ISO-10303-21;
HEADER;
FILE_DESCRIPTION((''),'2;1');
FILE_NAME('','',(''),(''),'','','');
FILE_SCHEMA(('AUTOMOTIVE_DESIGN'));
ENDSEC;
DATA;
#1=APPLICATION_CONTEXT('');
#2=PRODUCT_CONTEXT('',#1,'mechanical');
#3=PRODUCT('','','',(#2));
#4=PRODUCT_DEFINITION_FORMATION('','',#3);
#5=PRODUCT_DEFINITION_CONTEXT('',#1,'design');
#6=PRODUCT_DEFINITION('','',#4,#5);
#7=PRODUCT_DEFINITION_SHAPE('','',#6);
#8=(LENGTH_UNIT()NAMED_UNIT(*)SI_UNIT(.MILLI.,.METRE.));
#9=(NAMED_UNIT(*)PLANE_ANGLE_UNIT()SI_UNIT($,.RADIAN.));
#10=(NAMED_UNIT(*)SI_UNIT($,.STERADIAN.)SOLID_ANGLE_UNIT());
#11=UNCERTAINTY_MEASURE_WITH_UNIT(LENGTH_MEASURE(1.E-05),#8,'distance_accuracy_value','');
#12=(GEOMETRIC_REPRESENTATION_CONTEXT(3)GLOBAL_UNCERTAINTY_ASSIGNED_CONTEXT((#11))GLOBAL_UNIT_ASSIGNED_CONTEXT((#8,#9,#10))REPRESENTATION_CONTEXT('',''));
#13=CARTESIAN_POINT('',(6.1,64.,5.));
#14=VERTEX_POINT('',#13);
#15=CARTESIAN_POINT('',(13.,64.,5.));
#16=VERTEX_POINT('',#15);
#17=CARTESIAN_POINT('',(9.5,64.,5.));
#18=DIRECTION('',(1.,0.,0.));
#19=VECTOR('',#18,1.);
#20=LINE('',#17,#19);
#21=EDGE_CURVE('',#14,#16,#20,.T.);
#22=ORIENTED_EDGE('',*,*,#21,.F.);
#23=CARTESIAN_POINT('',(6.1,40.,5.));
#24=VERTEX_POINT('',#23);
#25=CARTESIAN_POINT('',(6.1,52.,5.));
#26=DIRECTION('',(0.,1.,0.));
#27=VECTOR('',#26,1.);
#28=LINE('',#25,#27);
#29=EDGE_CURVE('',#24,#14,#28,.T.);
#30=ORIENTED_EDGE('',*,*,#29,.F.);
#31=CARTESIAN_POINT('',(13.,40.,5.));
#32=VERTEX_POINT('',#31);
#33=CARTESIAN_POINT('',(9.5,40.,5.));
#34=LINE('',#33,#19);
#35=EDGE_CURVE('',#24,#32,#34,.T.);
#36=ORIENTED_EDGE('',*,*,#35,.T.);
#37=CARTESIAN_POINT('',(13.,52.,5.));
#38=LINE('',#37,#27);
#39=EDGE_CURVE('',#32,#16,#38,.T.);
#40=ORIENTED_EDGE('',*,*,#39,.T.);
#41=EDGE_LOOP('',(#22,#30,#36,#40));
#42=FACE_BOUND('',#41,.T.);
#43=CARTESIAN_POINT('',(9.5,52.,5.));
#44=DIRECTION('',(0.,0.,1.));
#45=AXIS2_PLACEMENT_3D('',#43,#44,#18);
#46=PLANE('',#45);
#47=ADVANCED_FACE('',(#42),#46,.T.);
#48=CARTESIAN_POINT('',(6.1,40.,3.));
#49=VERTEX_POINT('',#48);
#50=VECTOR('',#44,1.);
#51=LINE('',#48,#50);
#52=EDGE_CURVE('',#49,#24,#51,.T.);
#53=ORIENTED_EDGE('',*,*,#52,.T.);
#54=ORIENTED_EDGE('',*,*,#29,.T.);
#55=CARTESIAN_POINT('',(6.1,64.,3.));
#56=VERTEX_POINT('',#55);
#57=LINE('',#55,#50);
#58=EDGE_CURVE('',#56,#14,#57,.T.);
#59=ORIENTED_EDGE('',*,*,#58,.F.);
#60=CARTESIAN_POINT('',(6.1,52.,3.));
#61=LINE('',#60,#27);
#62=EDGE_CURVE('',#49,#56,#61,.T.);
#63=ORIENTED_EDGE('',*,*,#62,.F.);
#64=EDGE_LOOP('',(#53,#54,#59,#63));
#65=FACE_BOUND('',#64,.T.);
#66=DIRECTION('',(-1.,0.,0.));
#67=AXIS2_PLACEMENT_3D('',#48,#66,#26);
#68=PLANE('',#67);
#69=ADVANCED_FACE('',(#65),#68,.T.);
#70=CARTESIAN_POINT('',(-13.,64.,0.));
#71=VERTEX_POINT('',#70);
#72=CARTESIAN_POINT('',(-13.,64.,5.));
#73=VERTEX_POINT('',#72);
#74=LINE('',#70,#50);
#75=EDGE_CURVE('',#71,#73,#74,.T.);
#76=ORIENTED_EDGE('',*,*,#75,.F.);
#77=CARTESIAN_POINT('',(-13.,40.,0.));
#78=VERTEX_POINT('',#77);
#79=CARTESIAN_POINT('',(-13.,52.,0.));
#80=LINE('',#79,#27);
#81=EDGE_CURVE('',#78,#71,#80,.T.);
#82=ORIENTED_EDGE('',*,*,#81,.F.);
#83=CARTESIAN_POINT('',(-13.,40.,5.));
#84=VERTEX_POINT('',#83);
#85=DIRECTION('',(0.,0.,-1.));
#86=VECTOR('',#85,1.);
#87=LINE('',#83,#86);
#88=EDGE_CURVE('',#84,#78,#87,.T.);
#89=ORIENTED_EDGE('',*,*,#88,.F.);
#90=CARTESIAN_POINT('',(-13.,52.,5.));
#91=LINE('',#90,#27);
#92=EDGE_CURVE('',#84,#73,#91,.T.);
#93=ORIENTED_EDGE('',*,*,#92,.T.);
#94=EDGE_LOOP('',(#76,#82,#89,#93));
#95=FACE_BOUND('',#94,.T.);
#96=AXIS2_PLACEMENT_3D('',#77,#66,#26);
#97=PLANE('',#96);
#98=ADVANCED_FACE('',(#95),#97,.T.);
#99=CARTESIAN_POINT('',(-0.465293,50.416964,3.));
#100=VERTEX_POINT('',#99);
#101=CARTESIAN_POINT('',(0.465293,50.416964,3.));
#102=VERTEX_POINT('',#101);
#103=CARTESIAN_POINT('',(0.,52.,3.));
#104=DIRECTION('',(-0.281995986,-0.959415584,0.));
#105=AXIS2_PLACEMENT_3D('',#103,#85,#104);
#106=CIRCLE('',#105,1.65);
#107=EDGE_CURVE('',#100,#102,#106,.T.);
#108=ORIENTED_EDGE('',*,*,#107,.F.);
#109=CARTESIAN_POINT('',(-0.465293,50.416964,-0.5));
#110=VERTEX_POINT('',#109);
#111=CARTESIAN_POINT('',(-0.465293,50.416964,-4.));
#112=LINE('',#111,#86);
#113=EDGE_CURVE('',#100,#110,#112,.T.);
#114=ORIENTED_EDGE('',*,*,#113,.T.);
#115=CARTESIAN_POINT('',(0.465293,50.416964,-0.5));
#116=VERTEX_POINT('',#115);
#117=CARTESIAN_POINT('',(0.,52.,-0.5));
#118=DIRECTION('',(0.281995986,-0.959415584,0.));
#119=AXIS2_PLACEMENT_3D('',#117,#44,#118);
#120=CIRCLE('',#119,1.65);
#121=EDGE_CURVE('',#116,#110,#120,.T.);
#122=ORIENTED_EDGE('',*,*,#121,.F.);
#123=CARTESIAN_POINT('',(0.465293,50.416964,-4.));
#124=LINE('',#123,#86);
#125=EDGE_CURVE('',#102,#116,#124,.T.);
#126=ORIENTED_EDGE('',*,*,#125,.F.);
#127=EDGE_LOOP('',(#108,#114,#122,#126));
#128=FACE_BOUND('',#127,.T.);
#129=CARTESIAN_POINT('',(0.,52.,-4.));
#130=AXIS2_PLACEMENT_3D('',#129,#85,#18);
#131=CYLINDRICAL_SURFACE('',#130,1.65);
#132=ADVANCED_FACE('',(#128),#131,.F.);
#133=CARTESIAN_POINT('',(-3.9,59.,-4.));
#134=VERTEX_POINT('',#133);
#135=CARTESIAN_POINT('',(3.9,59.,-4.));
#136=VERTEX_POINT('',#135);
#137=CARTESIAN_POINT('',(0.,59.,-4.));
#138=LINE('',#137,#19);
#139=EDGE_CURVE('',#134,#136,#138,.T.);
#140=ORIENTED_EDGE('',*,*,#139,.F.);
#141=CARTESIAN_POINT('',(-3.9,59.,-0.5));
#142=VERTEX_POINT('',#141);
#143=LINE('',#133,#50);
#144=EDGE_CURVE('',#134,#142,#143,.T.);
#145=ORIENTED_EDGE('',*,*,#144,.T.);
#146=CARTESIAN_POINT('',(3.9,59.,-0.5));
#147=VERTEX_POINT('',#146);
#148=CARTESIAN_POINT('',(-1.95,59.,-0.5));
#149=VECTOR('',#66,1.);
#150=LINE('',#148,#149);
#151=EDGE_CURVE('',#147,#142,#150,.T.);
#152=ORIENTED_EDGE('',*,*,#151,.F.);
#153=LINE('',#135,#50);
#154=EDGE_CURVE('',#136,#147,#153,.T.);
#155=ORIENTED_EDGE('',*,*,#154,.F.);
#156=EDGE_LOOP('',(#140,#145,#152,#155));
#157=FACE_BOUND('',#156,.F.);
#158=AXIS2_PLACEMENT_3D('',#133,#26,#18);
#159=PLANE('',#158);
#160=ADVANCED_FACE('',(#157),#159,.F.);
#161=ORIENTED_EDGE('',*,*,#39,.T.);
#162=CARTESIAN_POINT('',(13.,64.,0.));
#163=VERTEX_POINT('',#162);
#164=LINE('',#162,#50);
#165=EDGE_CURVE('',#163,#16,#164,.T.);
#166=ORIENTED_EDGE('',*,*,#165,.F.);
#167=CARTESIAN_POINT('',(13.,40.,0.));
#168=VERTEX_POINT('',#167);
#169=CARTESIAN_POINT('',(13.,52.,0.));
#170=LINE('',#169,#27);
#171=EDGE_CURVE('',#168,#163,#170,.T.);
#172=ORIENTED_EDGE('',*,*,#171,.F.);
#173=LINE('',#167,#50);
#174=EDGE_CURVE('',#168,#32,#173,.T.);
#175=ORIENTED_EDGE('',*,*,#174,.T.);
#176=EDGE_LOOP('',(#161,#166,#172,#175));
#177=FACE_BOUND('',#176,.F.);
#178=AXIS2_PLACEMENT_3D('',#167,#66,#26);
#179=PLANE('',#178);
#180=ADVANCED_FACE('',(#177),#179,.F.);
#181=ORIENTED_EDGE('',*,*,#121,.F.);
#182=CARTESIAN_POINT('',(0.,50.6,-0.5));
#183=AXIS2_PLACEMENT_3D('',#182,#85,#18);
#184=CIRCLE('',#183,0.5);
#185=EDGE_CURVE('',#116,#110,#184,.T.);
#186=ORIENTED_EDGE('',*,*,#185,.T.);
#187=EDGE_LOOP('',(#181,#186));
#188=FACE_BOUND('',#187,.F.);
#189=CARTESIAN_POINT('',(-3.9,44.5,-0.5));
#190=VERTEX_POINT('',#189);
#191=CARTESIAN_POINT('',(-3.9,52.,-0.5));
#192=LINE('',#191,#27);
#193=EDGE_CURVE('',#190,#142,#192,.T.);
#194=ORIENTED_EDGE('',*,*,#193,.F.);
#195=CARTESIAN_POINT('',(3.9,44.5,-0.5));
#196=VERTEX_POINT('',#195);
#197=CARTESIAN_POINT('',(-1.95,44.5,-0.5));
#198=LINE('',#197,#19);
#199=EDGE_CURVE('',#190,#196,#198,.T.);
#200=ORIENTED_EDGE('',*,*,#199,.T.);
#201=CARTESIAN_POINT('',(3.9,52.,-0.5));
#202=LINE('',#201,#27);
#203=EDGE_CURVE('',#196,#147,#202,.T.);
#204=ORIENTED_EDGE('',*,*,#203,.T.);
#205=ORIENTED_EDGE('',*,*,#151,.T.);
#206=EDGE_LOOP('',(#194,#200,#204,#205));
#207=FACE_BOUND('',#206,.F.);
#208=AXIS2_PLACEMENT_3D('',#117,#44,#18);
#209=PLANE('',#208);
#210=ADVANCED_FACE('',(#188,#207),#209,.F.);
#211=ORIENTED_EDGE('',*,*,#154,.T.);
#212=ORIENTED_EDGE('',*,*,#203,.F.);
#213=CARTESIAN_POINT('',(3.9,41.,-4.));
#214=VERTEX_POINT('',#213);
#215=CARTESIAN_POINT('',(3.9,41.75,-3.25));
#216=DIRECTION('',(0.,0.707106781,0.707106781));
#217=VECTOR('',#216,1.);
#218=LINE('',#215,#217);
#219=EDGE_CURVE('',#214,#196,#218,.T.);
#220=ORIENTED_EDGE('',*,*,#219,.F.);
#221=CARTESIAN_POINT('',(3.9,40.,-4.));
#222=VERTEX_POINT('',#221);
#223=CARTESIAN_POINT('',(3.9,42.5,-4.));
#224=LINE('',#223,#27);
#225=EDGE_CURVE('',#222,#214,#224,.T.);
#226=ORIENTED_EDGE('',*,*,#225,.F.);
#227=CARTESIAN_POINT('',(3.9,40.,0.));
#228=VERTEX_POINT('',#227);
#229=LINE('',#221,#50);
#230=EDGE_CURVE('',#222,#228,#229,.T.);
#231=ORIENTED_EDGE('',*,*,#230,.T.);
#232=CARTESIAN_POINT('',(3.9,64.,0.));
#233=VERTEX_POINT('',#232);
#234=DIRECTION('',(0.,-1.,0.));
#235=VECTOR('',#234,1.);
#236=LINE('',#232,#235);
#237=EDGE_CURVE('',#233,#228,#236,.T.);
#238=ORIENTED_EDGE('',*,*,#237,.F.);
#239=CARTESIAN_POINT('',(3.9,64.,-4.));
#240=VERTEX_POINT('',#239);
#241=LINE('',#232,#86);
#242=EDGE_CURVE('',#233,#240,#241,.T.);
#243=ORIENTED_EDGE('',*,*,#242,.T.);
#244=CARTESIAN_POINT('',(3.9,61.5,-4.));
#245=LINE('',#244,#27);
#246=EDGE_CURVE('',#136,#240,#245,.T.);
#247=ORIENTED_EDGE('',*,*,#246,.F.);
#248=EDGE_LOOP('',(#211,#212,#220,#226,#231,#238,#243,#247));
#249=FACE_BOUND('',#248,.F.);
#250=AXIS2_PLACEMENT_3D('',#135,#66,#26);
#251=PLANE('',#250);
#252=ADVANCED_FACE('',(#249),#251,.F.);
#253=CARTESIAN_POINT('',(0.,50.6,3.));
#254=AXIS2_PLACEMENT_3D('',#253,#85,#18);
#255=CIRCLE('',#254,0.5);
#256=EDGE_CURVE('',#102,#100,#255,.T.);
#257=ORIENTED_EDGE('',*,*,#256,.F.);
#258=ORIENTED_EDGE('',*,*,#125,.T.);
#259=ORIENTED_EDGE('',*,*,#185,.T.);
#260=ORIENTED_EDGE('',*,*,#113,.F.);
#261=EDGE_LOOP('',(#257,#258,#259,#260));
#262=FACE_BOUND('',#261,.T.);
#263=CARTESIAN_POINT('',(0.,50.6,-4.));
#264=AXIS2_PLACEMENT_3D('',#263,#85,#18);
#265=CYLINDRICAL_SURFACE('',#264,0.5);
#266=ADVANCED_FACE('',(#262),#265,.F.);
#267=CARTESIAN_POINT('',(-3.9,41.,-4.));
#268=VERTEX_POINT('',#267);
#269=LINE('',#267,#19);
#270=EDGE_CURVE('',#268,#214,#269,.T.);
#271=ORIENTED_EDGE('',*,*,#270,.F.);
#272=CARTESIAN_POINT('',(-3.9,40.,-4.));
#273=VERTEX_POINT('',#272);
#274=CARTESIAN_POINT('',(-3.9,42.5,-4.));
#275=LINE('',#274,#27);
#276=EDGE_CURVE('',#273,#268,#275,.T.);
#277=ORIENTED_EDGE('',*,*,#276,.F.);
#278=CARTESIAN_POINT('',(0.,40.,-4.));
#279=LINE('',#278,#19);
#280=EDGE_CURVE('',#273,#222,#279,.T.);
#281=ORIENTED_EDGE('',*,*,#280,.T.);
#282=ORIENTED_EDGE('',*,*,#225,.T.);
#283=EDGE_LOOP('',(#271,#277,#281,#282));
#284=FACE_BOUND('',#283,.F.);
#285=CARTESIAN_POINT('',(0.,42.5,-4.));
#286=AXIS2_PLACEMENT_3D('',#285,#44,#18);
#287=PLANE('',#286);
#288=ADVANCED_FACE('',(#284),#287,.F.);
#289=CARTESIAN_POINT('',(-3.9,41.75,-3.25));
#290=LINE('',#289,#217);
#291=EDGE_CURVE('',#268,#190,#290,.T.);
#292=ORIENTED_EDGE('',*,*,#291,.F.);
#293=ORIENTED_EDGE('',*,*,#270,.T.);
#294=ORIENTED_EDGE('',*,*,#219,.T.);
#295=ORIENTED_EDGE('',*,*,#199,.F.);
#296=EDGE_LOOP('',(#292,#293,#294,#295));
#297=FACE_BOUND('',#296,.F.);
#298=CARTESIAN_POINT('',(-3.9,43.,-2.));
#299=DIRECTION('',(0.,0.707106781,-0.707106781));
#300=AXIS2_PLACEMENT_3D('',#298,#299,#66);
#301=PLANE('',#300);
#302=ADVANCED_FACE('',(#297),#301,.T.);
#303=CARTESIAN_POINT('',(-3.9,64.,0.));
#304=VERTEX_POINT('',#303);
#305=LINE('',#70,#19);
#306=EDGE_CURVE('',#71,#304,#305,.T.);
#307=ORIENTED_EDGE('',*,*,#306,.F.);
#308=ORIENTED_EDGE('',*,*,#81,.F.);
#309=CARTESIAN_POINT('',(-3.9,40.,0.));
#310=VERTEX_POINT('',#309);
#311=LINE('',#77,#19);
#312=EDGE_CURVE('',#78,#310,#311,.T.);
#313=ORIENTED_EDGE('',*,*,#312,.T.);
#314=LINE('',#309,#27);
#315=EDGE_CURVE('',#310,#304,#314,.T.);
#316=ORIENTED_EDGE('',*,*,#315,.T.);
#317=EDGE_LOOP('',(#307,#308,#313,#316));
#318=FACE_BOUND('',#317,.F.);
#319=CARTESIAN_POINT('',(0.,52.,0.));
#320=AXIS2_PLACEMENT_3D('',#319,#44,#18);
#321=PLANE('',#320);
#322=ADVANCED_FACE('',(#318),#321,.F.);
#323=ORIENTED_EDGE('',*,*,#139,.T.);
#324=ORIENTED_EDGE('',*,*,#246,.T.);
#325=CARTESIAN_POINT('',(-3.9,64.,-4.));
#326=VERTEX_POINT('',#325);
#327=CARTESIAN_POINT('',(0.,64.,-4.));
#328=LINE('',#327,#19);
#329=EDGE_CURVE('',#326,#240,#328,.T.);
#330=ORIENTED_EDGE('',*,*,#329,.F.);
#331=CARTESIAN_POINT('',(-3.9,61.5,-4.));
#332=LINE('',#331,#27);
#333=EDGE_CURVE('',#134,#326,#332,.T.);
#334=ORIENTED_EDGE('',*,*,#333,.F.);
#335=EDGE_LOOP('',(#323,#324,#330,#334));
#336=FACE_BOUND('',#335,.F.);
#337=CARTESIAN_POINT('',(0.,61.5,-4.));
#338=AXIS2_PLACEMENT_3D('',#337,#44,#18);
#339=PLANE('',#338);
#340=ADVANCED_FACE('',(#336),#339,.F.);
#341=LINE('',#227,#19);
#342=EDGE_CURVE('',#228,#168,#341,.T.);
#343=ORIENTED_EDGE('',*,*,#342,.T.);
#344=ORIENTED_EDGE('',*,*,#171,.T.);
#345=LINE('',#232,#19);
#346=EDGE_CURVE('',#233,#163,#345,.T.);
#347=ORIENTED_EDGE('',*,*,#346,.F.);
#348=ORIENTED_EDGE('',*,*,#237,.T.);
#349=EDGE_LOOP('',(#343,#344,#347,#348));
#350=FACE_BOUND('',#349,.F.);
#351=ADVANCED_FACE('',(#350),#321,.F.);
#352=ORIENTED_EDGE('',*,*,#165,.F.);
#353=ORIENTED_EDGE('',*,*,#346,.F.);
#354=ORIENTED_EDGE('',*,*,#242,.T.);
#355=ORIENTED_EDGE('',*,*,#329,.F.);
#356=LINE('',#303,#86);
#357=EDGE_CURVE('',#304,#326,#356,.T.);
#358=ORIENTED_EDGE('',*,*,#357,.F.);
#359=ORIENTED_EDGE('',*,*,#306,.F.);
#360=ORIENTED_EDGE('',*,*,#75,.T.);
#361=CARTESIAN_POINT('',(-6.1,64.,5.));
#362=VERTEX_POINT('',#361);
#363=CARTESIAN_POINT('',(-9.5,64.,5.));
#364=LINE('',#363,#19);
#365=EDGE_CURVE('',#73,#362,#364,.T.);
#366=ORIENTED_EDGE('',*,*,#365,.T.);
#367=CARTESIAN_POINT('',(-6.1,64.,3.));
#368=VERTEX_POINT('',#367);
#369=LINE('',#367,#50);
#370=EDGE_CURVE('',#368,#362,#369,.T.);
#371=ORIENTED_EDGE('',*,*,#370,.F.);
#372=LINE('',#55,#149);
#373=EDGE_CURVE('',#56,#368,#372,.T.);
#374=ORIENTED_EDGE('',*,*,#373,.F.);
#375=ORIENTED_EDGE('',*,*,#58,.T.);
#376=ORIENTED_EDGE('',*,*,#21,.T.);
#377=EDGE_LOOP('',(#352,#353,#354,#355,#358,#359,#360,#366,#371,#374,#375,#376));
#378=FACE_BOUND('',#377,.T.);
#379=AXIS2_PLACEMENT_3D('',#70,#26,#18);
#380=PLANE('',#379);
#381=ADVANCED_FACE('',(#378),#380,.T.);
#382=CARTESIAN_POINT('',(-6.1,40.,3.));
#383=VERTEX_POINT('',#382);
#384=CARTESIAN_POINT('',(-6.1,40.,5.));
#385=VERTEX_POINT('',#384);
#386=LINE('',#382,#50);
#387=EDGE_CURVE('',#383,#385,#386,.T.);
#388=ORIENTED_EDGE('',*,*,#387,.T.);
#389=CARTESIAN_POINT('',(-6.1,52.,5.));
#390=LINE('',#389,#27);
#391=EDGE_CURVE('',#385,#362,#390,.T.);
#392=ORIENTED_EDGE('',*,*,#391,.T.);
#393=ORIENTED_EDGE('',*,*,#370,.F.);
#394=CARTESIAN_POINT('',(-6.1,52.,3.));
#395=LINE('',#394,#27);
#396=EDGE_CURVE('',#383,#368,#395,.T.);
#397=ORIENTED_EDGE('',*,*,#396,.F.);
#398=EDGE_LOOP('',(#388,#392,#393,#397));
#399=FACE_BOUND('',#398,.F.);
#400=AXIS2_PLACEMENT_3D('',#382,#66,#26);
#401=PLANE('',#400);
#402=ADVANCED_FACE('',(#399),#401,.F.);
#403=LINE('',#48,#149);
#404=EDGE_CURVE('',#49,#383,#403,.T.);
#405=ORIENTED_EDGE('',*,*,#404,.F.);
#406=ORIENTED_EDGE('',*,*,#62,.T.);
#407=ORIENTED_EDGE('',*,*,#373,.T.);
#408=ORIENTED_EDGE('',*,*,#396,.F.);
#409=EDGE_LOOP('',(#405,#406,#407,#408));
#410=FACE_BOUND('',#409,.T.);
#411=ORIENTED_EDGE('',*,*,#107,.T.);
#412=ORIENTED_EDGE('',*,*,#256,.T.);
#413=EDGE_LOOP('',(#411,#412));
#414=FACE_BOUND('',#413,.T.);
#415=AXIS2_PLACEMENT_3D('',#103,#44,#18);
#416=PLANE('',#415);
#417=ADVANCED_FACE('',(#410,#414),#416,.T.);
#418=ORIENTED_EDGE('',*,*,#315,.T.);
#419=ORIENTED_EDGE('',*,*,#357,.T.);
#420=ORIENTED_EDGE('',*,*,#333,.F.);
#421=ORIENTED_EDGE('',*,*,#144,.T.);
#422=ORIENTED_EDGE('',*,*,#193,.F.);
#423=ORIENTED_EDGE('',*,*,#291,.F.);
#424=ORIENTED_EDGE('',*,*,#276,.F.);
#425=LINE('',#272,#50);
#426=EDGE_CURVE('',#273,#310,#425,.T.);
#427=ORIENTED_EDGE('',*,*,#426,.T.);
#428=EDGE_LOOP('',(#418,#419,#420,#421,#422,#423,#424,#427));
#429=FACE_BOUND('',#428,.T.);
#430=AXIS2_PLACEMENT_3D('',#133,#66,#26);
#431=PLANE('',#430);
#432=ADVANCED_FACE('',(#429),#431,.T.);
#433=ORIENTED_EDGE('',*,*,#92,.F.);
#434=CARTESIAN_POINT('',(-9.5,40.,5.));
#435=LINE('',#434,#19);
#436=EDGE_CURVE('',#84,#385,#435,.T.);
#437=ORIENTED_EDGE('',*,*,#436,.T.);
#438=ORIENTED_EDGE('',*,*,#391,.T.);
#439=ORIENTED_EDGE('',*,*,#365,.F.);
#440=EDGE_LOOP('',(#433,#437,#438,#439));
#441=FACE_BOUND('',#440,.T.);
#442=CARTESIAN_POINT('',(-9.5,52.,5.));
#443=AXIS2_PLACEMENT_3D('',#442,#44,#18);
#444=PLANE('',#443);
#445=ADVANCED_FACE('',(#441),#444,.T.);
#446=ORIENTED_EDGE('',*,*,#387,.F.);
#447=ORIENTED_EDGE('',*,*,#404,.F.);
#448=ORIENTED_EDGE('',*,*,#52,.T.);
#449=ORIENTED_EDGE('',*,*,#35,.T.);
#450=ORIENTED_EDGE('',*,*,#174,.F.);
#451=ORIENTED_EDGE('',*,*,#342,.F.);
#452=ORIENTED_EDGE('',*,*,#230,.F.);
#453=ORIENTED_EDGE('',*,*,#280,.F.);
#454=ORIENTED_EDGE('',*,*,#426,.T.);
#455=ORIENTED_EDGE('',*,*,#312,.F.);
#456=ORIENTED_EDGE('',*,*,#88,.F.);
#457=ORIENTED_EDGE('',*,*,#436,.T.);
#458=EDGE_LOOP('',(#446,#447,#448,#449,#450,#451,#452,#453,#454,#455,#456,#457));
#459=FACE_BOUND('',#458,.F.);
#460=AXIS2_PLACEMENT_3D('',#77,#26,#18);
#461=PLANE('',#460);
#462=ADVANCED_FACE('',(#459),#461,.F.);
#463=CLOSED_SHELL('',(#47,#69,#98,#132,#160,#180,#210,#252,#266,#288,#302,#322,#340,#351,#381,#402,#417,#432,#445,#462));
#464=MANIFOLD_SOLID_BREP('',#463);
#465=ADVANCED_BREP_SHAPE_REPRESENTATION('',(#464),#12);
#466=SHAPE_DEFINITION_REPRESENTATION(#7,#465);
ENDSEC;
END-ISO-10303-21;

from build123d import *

# Parameters (mm, degrees)
CYLINDER066_R      = 0.5
CYLINDER066_DEPTH  = 10
CYLINDER003_R      = 1.65
CYLINDER003_DEPTH  = 10
BOX167_W           = 7.8
BOX167_H           = 5
BOX167_DEPTH       = 5
CHAMFER008002_SIZE = 4
BOX164_W           = 7.8
BOX164_H           = 5
BOX164_DEPTH       = 4
BOX165_W           = 7.8
BOX165_H           = 5
BOX165_DEPTH       = 4
BOX040_W           = 12.2
BOX040_H           = 24
BOX040_DEPTH       = 2
BOX058_W           = 7
BOX058_H           = 24
BOX058_DEPTH       = 5
BOX166_W           = 7.8
BOX166_H           = 24
BOX166_DEPTH       = 0.5
BOX060_W           = 7
BOX060_H           = 24
BOX060_DEPTH       = 5
BOX010_W           = 26
BOX010_H           = 24
BOX010_DEPTH       = 3


with BuildPart() as rail_bolt024:
    # Cylinder066 → Cylinder066 (new body)
    with BuildSketch(Plane(origin=(0, 50.6, -4), x_dir=(1, 0, 0), z_dir=(0, 0, 1))):
        Circle(CYLINDER066_R)
    extrude(amount=CYLINDER066_DEPTH)


with BuildPart() as rail_bolt001:
    # Cylinder003 → Cylinder003 (new body)
    with BuildSketch(Plane(origin=(0, 52, -4), x_dir=(1, 0, 0), z_dir=(0, 0, 1))):
        Circle(CYLINDER003_R)
    extrude(amount=CYLINDER003_DEPTH)


with BuildPart() as chamfer008002:
    # Box167 → Box167 (new body)
    with BuildSketch(Plane(origin=(-3.9, 68, -5), x_dir=(1, 0, 0), z_dir=(0, 0, 1))):
        with Locations((3.9, 2.5)):
            Rectangle(BOX167_W, BOX167_H)
    extrude(amount=BOX167_DEPTH)

    # Chamfer008002
    chamfer008002_edges = [chamfer008002.edges().sort_by_distance(p)[0] for p in [
        (0, 68, 0),
    ]]
    chamfer(chamfer008002_edges, length=CHAMFER008002_SIZE)


with BuildPart() as chamfer008002_1:
    # Chamfer008002 placement: moved
    add(chamfer008002.part.moved(Location((0, -27, 0))))


with BuildPart() as cut001003002038:
    # Box164 → Box164 (new body)
    with BuildSketch(Plane(origin=(-3.9, 40, -4), x_dir=(1, 0, 0), z_dir=(0, 0, 1))):
        with Locations((3.9, 2.5)):
            Rectangle(BOX164_W, BOX164_H)
    extrude(amount=BOX164_DEPTH)

    # Cut001003002038: cut Chamfer008002
    add(chamfer008002_1.part, mode=Mode.SUBTRACT)


with BuildPart() as cube025:
    # Box165 → Box165 (new body)
    with BuildSketch(Plane(origin=(-3.9, 59, -4), x_dir=(1, 0, 0), z_dir=(0, 0, 1))):
        with Locations((3.9, 2.5)):
            Rectangle(BOX165_W, BOX165_H)
    extrude(amount=BOX165_DEPTH)


with BuildPart() as f_01_cut_out002:
    # Box040 → Box040 (new body)
    with BuildSketch(Plane(origin=(-6.1, 40, 3), x_dir=(1, 0, 0), z_dir=(0, 0, 1))):
        with Locations((6.1, 12)):
            Rectangle(BOX040_W, BOX040_H)
    extrude(amount=BOX040_DEPTH)


with BuildPart() as box058:
    # Box058 → Box058 (new body)
    with BuildSketch(Plane(origin=(6, 40, 0), x_dir=(1, 0, 0), z_dir=(0, 0, 1))):
        with Locations((3.5, 12)):
            Rectangle(BOX058_W, BOX058_H)
    extrude(amount=BOX058_DEPTH)


with BuildPart() as cube026:
    # Box166 → Box166 (new body)
    with BuildSketch(Plane(origin=(-3.9, 40, -0.5), x_dir=(1, 0, 0), z_dir=(0, 0, 1))):
        with Locations((3.9, 12)):
            Rectangle(BOX166_W, BOX166_H)
    extrude(amount=BOX166_DEPTH)


with BuildPart() as fusion028:
    # Box060 → Box060 (new body)
    with BuildSketch(Plane(origin=(-13, 40, 0), x_dir=(1, 0, 0), z_dir=(0, 0, 1))):
        with Locations((3.5, 12)):
            Rectangle(BOX060_W, BOX060_H)
    extrude(amount=BOX060_DEPTH)

    # Fusion027: union Box058, Cube026
    add(box058.part)
    add(cube026.part)

    # Cut001003002037: cut 01-cut-out002
    add(f_01_cut_out002.part, mode=Mode.SUBTRACT)

    # Fusion028: union Cut001003002038, Cube025
    add(cut001003002038.part)
    add(cube025.part)


with BuildPart() as cut001003002040:
    # Box010 → Box010 (new body)
    with BuildSketch(Plane(origin=(-13, 40, 0), x_dir=(1, 0, 0), z_dir=(0, 0, 1))):
        with Locations((13, 12)):
            Rectangle(BOX010_W, BOX010_H)
    extrude(amount=BOX010_DEPTH)

    # Fusion029: union Fusion028
    add(fusion028.part)

    # Cut001003002039: cut rail-bolt001
    add(rail_bolt001.part, mode=Mode.SUBTRACT)

    # Cut001003002040: cut rail-bolt024
    add(rail_bolt024.part, mode=Mode.SUBTRACT)


solid = cut001003002040.part
